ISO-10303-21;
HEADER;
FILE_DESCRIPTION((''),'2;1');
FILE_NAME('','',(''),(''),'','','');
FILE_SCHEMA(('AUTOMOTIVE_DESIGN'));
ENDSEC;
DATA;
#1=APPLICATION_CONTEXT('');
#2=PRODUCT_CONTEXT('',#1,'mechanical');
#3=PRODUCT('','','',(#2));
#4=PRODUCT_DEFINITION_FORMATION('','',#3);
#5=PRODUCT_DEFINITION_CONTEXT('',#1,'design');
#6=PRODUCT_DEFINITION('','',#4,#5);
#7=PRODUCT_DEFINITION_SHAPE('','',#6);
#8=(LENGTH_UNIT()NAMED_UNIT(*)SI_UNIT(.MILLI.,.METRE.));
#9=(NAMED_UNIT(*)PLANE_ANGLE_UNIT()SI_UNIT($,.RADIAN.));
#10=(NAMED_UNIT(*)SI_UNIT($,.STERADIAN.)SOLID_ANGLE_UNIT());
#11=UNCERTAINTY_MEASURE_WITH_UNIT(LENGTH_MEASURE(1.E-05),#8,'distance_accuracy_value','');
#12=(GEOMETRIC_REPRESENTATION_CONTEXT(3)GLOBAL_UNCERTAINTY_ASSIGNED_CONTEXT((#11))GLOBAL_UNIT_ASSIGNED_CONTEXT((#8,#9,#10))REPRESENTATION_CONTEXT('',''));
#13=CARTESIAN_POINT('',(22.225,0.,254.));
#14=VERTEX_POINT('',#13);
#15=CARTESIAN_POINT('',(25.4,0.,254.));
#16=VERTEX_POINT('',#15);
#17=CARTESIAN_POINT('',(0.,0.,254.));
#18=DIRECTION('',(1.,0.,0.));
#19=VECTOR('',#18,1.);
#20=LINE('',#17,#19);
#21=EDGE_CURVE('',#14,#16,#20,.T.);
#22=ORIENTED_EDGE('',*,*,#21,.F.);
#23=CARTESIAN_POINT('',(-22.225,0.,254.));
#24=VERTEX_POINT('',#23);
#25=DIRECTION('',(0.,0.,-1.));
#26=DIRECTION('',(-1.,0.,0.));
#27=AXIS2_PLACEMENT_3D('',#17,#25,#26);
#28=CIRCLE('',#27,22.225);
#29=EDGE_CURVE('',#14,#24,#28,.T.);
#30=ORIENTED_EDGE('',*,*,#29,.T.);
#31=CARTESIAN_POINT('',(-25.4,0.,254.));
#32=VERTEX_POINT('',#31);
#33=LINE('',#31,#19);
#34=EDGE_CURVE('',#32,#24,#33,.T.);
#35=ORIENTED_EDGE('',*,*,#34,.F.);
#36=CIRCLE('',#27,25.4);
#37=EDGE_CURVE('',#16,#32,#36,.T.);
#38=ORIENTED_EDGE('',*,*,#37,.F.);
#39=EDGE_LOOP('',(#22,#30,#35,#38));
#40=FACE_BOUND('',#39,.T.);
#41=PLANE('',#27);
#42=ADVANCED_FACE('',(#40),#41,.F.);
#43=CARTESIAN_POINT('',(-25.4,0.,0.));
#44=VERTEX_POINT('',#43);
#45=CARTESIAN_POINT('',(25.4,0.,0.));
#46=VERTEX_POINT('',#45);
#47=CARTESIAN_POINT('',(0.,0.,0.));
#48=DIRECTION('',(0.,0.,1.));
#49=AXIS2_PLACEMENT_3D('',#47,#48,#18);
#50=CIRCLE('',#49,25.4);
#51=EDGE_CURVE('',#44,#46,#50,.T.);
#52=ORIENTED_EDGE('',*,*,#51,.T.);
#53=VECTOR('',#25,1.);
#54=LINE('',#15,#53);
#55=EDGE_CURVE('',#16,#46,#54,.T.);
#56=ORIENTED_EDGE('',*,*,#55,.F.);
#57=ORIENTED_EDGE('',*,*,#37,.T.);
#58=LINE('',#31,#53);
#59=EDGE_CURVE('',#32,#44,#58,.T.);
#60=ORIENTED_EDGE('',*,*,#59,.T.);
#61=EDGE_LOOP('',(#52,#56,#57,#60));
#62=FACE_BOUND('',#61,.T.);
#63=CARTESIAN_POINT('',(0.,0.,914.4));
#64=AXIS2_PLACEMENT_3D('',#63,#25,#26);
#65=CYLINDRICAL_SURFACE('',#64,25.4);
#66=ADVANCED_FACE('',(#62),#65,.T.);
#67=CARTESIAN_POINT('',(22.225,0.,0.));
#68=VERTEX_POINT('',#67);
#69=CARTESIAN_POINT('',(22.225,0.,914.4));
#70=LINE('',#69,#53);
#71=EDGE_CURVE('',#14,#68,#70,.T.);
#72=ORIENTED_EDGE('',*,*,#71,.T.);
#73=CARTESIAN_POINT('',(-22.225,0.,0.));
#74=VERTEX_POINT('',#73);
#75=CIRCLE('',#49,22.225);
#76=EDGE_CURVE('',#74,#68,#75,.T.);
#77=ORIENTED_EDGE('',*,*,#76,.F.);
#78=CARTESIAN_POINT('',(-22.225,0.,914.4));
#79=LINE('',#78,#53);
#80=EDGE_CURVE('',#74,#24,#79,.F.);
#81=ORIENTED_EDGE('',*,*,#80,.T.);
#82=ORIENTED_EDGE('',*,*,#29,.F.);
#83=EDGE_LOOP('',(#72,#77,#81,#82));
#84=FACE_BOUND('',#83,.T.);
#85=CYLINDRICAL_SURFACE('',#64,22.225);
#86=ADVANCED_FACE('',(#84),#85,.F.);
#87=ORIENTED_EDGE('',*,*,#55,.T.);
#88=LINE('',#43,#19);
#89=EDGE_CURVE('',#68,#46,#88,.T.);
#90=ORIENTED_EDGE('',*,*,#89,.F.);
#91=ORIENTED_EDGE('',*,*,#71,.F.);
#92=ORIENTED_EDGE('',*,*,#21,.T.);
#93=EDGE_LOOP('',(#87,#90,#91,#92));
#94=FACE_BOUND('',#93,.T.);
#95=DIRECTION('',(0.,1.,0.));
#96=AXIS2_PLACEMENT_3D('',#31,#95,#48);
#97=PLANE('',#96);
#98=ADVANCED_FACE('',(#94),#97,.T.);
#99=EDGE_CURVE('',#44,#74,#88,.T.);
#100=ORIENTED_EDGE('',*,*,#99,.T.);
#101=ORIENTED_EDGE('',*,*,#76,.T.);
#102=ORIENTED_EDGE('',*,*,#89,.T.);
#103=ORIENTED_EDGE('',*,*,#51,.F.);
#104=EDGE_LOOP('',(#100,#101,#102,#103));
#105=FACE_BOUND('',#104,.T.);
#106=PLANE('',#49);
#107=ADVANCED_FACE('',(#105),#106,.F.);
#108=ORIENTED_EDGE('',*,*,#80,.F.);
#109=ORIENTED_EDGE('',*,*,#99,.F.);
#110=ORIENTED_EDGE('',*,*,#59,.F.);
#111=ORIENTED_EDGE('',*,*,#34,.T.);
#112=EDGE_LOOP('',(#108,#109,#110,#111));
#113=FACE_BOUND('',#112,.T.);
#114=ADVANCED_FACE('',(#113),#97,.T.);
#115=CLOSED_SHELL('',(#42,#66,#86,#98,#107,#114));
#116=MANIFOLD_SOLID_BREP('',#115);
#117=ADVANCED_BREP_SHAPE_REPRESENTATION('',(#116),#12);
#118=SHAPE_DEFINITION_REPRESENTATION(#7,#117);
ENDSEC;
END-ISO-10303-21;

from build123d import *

# Parameters (mm, degrees)
SKETCH1_R           = 25.4
SKETCH1_R_2         = 22.225
BOSS_EXTRUDE1_DEPTH = 914.4
CUT_EXTRUDE1_START  = -254
SKETCH2_R           = 25.4
CUT_EXTRUDE1_DEPTH  = 662.10528356
CUT_EXTRUDE3_DEPTH  = 257.527425434


with BuildPart() as part:
    # Sketch1 → Boss-Extrude1 (new body)
    with BuildSketch(Plane.XY):
        Circle(SKETCH1_R)
        Circle(SKETCH1_R_2, mode=Mode.SUBTRACT)
    extrude(amount=BOSS_EXTRUDE1_DEPTH)

    # Sketch2 → Cut-Extrude1 (cut, through all)
    with BuildSketch(Plane(origin=(0, 0, 0), x_dir=(-1, 0, 0), z_dir=(0, 0, -1)).offset(CUT_EXTRUDE1_START)):
        Circle(SKETCH2_R)
    extrude(amount=-CUT_EXTRUDE1_DEPTH, mode=Mode.SUBTRACT)

    # Sketch4 → Cut-Extrude3 (cut, through all)
    with BuildSketch(Plane.XY):
        with BuildLine():
            Line((-25.4, 0), (25.4, 0))
            ThreePointArc((25.4, 0), (0, 25.4), (-25.4, 0))
        make_face()
    extrude(amount=CUT_EXTRUDE3_DEPTH, mode=Mode.SUBTRACT)


solid = part.part
